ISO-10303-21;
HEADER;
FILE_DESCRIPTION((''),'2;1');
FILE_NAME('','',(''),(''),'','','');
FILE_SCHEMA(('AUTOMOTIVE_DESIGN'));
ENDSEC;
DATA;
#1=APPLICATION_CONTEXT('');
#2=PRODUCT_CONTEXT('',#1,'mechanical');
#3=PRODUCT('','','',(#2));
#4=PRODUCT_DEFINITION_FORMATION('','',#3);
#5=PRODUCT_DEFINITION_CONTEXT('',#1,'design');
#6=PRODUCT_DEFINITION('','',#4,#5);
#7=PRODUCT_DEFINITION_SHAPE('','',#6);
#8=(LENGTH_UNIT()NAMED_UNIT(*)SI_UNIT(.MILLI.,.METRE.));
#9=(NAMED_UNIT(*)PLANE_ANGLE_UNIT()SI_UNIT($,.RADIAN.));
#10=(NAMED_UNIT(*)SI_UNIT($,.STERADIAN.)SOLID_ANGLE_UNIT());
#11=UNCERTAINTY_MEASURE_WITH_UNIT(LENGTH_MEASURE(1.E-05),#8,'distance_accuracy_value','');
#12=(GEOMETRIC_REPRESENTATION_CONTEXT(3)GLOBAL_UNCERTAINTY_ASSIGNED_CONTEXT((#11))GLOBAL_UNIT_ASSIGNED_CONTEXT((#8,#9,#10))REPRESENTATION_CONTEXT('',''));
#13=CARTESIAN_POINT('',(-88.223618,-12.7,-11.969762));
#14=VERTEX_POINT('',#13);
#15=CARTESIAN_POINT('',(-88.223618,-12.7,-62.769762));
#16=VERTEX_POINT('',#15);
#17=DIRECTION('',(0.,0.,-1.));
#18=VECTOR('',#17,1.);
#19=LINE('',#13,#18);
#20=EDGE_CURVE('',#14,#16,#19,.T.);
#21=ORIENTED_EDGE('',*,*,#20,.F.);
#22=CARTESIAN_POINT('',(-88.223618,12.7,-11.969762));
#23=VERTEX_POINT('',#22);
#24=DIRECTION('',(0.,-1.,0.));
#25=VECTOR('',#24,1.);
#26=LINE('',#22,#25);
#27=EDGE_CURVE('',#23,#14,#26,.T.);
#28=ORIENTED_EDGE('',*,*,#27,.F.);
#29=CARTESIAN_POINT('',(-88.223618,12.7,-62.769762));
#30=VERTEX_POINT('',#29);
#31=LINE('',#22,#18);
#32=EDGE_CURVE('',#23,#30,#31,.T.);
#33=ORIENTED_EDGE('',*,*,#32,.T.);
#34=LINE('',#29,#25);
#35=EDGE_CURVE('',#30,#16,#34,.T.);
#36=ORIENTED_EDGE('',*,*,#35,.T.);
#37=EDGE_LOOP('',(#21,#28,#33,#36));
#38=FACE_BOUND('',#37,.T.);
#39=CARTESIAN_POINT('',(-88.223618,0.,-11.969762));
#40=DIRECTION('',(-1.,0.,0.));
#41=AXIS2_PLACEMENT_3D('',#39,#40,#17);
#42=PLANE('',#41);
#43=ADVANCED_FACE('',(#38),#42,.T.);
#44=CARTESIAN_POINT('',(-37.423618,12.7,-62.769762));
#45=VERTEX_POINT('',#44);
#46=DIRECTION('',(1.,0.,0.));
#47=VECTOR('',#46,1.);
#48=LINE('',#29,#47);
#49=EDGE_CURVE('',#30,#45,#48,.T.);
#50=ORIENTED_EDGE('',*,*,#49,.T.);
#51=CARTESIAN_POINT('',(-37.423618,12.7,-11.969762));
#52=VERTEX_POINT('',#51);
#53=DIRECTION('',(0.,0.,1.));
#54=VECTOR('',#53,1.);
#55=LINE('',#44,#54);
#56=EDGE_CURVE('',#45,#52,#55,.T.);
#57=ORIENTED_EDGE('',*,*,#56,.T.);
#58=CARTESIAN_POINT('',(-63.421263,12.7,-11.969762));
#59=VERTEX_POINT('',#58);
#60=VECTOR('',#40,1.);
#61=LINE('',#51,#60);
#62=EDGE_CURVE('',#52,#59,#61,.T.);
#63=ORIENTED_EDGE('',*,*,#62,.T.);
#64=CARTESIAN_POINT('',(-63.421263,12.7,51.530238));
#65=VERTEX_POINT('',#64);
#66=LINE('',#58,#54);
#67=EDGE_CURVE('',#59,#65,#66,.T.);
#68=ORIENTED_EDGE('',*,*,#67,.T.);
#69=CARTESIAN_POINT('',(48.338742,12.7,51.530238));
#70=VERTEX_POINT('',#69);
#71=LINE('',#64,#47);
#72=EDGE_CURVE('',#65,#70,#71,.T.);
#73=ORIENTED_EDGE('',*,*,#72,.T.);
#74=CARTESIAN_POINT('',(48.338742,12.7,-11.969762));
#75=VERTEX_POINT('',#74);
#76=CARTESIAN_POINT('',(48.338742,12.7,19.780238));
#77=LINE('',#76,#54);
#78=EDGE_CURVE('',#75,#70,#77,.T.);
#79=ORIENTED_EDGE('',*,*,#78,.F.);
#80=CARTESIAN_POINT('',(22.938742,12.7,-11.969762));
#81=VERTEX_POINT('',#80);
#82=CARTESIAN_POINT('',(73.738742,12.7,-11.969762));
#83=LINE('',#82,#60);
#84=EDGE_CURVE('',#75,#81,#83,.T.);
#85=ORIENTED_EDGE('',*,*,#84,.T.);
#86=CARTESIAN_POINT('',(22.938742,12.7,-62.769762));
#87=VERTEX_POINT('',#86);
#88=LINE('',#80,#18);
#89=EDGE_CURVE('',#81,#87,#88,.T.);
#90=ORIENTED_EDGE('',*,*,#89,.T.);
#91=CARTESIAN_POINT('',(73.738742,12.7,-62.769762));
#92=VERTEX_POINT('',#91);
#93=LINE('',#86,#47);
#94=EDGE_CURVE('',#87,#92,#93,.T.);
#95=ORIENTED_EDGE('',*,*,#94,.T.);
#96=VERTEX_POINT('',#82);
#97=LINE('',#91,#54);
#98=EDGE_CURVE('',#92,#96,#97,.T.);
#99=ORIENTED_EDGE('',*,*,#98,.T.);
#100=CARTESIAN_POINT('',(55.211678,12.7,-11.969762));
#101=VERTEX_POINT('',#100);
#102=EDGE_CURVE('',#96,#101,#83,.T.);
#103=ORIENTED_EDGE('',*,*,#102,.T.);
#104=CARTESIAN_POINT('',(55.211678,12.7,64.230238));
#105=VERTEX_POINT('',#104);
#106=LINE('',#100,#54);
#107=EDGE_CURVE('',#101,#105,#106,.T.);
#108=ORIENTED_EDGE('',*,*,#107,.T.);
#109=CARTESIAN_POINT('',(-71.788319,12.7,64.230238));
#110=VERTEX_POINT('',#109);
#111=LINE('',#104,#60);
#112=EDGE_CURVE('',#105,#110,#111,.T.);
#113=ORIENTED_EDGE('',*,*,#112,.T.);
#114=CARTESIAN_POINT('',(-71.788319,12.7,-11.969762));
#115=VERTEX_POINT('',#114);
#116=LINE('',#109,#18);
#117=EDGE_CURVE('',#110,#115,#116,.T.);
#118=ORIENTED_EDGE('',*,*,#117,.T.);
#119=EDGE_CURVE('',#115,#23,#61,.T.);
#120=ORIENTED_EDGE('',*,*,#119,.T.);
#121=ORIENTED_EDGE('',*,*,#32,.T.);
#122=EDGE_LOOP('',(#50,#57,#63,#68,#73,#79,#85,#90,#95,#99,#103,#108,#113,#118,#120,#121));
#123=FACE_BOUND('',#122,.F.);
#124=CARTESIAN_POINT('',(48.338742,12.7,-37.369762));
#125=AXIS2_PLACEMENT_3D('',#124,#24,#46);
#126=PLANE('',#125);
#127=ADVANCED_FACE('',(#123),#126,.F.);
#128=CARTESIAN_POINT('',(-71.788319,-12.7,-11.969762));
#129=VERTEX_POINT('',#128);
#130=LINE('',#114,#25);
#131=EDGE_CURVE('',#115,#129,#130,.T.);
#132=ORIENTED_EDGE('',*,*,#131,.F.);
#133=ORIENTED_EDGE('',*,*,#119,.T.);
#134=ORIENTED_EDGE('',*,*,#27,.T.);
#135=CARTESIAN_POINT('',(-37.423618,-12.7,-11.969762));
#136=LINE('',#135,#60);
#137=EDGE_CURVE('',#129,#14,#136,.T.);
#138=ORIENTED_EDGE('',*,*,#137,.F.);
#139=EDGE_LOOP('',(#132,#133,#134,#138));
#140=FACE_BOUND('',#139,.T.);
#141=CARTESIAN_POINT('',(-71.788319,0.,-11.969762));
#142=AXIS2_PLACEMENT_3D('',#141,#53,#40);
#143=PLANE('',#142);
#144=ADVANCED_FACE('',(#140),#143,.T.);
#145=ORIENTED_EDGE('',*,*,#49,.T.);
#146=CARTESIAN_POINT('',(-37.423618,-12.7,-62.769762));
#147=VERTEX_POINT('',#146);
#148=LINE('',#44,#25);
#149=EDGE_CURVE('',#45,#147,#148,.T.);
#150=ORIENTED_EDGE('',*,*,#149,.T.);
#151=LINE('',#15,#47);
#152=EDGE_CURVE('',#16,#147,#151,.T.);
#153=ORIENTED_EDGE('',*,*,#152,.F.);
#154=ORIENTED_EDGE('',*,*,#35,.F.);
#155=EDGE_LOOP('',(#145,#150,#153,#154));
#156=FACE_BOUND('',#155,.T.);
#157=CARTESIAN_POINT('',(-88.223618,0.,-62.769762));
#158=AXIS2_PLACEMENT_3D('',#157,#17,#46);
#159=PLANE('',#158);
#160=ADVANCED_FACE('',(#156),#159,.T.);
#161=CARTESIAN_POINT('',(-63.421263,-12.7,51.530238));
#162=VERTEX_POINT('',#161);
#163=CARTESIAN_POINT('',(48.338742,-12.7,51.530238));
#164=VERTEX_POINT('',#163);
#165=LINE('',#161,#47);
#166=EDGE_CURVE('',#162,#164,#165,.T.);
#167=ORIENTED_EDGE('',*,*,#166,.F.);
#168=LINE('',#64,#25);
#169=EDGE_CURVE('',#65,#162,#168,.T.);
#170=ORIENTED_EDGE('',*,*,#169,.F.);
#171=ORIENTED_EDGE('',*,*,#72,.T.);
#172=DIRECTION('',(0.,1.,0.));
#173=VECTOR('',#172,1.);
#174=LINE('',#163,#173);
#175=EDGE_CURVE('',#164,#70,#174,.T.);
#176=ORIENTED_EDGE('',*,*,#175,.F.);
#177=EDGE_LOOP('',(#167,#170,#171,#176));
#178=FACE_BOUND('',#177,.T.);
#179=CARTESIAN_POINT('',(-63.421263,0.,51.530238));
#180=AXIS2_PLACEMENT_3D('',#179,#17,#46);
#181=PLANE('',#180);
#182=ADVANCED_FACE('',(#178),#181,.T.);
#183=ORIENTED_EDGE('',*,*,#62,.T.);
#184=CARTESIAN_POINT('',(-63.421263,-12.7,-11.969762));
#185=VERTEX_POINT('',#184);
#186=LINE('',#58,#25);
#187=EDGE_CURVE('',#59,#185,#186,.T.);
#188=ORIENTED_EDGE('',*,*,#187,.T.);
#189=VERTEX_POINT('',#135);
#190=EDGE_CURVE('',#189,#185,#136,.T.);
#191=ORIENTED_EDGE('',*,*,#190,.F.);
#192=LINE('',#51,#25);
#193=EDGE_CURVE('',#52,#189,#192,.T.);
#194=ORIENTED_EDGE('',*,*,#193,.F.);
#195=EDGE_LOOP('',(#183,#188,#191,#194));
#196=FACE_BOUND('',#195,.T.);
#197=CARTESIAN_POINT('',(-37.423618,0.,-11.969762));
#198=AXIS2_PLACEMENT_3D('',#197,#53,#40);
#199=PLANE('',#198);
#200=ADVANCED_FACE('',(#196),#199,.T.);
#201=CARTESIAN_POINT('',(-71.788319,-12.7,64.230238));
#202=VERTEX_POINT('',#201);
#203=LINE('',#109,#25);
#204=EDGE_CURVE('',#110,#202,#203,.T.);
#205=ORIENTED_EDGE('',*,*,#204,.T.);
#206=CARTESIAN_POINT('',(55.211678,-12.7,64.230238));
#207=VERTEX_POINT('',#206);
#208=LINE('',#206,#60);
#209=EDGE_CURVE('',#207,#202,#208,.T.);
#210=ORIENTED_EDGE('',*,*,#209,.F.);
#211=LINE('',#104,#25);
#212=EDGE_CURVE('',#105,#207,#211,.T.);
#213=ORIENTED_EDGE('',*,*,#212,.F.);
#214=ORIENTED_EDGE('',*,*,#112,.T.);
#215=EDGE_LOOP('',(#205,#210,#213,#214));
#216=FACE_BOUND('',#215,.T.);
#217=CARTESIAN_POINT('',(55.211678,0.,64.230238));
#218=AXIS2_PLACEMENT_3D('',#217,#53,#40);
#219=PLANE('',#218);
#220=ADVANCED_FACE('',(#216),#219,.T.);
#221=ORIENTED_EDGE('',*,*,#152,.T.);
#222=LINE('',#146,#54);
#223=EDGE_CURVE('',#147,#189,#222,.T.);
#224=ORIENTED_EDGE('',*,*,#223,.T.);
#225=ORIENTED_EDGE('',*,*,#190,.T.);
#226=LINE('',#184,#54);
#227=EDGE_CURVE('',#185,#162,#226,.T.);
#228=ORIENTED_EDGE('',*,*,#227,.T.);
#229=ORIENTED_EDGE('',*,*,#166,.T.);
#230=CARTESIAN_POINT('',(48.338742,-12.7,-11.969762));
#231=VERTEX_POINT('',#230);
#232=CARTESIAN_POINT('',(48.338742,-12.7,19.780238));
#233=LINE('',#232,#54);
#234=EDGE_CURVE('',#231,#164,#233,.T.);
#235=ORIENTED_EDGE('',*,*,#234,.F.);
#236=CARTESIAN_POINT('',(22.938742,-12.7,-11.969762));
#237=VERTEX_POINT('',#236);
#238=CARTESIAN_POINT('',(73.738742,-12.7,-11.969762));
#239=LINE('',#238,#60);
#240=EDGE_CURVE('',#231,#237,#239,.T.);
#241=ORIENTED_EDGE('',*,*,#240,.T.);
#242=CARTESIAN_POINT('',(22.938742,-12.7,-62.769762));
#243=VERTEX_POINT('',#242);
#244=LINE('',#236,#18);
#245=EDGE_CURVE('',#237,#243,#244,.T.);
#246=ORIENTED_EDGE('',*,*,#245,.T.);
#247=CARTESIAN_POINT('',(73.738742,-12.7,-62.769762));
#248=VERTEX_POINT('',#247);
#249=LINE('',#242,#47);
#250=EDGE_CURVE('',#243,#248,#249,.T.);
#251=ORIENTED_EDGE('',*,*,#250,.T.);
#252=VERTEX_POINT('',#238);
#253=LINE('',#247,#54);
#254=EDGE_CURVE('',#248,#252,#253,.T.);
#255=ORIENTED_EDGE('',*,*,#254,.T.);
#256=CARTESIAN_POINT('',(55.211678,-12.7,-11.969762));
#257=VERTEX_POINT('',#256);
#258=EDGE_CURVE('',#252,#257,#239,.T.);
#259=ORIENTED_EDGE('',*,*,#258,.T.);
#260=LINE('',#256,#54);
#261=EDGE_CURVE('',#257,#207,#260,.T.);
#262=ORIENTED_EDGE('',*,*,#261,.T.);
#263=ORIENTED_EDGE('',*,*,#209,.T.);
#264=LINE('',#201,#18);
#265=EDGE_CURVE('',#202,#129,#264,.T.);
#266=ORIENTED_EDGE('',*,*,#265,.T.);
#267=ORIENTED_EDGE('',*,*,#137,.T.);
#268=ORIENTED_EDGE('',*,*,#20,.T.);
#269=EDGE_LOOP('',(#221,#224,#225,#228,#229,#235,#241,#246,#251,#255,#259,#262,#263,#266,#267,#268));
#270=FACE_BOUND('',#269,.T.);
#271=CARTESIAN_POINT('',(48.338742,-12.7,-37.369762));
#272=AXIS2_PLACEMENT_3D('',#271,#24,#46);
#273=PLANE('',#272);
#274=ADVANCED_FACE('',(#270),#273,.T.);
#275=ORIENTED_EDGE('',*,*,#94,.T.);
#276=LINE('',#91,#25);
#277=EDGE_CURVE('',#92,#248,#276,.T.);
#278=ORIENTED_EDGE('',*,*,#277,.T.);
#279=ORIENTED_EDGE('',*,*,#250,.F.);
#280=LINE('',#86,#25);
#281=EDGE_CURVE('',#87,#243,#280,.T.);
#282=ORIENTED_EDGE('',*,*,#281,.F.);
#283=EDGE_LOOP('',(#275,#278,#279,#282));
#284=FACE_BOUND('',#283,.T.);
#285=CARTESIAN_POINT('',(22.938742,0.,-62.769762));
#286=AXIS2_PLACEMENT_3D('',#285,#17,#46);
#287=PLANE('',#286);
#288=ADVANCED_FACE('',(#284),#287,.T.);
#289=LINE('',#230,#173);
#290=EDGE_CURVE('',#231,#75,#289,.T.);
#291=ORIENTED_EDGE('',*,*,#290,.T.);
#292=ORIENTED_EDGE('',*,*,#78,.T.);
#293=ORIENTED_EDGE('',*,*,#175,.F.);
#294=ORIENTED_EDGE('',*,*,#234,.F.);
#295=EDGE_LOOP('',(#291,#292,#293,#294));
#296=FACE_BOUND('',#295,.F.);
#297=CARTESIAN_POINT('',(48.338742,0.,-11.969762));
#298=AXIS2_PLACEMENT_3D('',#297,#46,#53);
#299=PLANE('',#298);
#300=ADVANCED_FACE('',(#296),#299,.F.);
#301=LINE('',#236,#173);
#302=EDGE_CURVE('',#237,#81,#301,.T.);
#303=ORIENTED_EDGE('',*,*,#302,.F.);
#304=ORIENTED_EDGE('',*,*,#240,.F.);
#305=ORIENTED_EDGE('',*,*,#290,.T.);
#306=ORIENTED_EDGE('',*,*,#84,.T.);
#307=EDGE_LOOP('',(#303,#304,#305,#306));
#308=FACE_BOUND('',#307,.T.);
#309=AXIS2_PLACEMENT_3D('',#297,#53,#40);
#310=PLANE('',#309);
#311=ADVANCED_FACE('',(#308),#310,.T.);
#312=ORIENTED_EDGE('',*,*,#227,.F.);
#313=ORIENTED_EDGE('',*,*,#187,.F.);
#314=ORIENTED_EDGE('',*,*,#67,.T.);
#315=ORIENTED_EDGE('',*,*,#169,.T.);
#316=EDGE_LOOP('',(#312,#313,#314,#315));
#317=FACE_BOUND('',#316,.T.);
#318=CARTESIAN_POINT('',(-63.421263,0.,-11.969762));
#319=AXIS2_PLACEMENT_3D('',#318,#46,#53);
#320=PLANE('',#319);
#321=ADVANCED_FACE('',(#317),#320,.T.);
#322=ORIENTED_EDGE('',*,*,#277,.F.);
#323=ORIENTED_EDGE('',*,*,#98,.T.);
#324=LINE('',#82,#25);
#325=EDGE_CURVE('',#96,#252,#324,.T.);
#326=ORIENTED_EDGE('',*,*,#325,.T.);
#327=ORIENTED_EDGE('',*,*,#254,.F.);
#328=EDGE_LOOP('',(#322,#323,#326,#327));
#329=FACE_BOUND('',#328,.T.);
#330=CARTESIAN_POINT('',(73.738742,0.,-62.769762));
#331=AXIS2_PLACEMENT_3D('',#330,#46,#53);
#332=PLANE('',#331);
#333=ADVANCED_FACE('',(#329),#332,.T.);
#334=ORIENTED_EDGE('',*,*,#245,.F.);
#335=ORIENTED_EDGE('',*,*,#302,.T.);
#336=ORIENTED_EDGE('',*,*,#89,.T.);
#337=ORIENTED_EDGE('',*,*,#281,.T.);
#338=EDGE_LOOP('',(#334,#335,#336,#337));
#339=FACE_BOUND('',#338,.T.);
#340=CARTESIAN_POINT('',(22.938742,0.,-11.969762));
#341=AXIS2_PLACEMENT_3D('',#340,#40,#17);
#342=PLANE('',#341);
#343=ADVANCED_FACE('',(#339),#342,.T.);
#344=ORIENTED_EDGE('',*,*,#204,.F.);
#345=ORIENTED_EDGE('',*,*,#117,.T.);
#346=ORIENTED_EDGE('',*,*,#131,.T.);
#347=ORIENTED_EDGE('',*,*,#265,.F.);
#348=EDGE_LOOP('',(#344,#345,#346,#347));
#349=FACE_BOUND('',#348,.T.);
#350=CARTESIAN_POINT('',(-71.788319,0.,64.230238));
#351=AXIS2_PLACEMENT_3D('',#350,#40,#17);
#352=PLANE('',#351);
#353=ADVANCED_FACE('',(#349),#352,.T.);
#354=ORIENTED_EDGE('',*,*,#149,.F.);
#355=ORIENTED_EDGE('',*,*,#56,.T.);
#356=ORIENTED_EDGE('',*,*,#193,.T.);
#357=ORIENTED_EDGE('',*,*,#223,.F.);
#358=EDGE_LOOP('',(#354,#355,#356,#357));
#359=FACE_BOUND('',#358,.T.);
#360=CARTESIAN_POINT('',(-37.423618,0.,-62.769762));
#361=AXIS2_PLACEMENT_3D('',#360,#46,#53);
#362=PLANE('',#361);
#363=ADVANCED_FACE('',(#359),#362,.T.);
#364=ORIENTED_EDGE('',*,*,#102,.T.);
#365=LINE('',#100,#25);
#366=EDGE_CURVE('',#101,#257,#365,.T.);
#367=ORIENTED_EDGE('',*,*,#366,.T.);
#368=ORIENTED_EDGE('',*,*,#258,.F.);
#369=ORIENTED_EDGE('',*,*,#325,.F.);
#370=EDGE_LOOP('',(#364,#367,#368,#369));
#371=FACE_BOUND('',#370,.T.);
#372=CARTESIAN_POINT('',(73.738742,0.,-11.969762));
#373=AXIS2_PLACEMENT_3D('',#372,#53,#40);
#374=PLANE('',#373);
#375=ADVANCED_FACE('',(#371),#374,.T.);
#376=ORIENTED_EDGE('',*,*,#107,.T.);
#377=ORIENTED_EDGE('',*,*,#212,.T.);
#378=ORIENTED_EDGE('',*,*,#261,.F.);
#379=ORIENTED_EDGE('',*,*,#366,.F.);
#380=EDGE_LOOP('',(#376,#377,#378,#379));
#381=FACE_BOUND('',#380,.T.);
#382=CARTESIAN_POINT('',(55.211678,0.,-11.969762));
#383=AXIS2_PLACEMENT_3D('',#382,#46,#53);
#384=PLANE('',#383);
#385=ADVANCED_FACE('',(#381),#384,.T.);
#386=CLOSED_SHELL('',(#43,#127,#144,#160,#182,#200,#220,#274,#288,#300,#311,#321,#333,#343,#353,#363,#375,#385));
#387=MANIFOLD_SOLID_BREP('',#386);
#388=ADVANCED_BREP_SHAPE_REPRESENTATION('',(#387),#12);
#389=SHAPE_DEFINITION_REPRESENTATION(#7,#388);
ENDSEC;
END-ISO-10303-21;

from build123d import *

# Parameters (mm, degrees)
F0_W     = 6.872936
F0_H     = 63.5
F1_DEPTH = 12.7


with BuildPart() as f1:
    # F0 (on Front) → F1 (new body, symmetric)
    with BuildSketch(Plane.XZ):
        Polygon((55.211678, -11.969762), (48.338742, -11.969762), (22.938742, -11.969762), (22.938742, -62.769762), (73.738742, -62.769762), (73.738742, -11.969762), align=None)
        Polygon((-88.223618, -11.969762), (-88.223618, -62.769762), (-37.423618, -62.769762), (-37.423618, -11.969762), (-63.421263, -11.969762), (-71.788319, -11.969762), align=None)
        Polygon((-71.788319, 64.230238), (-71.788319, -11.969762), (-63.421263, -11.969762), (-63.421263, 51.530238), (-63.421263, 64.230238), align=None)
        Polygon((-63.421263, 64.230238), (-63.421263, 51.530238), (48.338742, 51.530238), (55.211678, 51.530238), (55.211678, 64.230238), align=None)
        with Locations((51.77521, 19.780238)):
            Rectangle(F0_W, F0_H)
    extrude(amount=F1_DEPTH, both=True)


solid = f1.part
